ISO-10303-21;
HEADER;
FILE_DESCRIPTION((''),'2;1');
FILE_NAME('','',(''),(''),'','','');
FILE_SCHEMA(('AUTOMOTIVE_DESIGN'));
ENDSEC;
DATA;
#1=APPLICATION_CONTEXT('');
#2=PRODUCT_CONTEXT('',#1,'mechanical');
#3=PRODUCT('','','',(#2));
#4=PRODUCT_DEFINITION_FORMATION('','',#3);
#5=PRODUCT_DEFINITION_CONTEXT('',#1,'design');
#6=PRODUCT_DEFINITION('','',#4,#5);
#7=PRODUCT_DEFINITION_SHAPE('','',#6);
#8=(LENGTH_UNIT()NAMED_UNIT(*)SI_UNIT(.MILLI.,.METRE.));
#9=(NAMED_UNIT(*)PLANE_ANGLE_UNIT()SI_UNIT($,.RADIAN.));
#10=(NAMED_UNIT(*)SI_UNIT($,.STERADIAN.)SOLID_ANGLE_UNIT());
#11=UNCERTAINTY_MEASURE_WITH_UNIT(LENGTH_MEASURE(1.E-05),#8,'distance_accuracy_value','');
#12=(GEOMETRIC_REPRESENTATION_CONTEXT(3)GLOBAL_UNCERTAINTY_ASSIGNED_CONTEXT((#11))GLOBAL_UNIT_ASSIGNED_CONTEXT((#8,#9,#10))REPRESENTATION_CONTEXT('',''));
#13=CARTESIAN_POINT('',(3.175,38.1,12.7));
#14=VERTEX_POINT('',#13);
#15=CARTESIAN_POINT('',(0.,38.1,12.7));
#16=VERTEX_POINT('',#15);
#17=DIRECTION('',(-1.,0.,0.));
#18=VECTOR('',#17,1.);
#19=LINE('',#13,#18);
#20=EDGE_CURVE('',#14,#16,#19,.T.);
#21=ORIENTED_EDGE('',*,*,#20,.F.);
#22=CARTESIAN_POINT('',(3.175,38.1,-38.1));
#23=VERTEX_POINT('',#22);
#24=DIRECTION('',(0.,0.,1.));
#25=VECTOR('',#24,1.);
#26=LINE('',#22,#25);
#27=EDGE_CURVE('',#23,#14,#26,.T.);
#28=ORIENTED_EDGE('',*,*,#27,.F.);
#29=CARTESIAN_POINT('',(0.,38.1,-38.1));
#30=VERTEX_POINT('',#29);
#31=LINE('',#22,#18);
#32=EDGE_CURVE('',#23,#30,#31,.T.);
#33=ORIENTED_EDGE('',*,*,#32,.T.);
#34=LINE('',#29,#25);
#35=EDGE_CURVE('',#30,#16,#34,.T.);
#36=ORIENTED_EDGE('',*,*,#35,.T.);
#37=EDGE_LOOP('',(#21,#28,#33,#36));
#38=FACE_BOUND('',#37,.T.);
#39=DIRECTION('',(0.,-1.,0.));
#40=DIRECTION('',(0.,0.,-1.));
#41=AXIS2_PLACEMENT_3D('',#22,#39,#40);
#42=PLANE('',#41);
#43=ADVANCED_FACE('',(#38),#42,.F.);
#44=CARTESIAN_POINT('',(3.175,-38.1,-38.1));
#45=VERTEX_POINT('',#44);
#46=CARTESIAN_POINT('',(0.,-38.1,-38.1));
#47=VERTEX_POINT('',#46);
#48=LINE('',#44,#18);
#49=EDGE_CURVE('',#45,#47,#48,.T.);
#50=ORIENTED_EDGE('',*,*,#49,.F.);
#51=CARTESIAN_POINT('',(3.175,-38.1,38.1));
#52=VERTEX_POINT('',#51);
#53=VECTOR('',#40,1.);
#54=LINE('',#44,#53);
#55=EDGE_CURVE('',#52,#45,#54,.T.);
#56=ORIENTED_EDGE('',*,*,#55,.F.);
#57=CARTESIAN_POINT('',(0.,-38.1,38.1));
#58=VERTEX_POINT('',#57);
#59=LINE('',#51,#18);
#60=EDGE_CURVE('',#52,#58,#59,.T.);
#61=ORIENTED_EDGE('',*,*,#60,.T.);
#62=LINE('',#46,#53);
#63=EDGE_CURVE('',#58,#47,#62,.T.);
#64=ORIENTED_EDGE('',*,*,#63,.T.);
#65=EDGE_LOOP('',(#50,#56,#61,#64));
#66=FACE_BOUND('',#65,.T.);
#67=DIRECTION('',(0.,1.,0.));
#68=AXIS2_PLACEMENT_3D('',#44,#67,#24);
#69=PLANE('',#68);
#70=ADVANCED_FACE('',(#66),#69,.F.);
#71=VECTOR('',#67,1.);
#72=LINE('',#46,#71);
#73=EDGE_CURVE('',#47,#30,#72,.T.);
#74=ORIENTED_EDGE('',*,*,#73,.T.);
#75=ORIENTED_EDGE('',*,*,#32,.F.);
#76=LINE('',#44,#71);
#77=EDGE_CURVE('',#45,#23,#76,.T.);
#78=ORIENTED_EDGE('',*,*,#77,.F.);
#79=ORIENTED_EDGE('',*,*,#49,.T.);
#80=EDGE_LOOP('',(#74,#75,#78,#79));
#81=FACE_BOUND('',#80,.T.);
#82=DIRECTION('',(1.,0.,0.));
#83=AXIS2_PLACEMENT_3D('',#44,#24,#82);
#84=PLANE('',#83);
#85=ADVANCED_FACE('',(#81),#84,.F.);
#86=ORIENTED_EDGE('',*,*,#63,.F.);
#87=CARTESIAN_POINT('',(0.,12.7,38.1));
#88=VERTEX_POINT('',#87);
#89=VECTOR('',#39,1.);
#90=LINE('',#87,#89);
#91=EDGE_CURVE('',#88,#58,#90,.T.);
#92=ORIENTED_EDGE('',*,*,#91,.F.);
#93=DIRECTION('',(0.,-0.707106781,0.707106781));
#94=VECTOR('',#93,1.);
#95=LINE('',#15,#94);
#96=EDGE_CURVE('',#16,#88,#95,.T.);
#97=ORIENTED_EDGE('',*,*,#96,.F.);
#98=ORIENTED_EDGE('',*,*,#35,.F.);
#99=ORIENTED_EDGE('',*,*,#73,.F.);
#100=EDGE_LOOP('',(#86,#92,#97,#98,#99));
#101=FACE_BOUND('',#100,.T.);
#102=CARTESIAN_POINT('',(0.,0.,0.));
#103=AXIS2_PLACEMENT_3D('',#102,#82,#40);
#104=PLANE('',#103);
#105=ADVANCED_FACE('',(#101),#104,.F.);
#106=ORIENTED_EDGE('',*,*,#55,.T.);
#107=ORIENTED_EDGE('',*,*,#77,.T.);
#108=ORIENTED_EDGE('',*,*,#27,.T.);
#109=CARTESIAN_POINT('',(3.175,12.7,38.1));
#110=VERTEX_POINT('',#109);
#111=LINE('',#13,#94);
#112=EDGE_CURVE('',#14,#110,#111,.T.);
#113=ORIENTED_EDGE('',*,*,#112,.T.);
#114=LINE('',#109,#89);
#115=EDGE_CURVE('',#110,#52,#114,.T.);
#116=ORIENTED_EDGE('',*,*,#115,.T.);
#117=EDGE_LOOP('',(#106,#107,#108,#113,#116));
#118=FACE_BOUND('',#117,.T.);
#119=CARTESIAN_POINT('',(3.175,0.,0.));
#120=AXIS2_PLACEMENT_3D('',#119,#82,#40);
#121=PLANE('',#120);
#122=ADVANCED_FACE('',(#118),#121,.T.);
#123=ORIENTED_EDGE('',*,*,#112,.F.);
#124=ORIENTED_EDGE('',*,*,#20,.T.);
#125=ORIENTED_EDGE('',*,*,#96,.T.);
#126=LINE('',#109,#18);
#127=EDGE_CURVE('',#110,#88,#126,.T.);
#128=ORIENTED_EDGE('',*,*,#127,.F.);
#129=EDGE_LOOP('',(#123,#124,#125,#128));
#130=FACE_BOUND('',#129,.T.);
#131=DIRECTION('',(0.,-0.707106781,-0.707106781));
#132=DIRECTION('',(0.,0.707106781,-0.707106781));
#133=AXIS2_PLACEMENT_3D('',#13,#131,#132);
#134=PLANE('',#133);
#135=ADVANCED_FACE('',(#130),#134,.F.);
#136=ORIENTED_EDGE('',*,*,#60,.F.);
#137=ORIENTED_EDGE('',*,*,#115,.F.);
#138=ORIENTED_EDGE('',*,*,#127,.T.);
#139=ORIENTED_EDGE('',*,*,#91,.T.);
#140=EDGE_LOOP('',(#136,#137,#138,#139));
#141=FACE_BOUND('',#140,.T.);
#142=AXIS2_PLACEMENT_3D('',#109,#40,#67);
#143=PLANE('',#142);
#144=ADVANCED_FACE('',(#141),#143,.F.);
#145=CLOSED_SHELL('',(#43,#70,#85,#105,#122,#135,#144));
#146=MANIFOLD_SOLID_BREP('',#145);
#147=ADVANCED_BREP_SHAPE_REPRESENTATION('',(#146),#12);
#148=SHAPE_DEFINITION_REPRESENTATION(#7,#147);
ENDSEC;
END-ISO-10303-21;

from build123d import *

# Parameters (mm, degrees)
BOSS_EXTRUDE1_DEPTH = 3.175


with BuildPart() as part:
    # Sketch1 → Boss-Extrude1 (new body)
    with BuildSketch(Plane(origin=(0, 0, 0), x_dir=(0, 0, -1), z_dir=(1, 0, 0))):
        Polygon((38.1, 38.1), (-12.7, 38.1), (-38.1, 12.7), (-38.1, -38.1), (38.1, -38.1), align=None)
    extrude(amount=BOSS_EXTRUDE1_DEPTH)


solid = part.part
